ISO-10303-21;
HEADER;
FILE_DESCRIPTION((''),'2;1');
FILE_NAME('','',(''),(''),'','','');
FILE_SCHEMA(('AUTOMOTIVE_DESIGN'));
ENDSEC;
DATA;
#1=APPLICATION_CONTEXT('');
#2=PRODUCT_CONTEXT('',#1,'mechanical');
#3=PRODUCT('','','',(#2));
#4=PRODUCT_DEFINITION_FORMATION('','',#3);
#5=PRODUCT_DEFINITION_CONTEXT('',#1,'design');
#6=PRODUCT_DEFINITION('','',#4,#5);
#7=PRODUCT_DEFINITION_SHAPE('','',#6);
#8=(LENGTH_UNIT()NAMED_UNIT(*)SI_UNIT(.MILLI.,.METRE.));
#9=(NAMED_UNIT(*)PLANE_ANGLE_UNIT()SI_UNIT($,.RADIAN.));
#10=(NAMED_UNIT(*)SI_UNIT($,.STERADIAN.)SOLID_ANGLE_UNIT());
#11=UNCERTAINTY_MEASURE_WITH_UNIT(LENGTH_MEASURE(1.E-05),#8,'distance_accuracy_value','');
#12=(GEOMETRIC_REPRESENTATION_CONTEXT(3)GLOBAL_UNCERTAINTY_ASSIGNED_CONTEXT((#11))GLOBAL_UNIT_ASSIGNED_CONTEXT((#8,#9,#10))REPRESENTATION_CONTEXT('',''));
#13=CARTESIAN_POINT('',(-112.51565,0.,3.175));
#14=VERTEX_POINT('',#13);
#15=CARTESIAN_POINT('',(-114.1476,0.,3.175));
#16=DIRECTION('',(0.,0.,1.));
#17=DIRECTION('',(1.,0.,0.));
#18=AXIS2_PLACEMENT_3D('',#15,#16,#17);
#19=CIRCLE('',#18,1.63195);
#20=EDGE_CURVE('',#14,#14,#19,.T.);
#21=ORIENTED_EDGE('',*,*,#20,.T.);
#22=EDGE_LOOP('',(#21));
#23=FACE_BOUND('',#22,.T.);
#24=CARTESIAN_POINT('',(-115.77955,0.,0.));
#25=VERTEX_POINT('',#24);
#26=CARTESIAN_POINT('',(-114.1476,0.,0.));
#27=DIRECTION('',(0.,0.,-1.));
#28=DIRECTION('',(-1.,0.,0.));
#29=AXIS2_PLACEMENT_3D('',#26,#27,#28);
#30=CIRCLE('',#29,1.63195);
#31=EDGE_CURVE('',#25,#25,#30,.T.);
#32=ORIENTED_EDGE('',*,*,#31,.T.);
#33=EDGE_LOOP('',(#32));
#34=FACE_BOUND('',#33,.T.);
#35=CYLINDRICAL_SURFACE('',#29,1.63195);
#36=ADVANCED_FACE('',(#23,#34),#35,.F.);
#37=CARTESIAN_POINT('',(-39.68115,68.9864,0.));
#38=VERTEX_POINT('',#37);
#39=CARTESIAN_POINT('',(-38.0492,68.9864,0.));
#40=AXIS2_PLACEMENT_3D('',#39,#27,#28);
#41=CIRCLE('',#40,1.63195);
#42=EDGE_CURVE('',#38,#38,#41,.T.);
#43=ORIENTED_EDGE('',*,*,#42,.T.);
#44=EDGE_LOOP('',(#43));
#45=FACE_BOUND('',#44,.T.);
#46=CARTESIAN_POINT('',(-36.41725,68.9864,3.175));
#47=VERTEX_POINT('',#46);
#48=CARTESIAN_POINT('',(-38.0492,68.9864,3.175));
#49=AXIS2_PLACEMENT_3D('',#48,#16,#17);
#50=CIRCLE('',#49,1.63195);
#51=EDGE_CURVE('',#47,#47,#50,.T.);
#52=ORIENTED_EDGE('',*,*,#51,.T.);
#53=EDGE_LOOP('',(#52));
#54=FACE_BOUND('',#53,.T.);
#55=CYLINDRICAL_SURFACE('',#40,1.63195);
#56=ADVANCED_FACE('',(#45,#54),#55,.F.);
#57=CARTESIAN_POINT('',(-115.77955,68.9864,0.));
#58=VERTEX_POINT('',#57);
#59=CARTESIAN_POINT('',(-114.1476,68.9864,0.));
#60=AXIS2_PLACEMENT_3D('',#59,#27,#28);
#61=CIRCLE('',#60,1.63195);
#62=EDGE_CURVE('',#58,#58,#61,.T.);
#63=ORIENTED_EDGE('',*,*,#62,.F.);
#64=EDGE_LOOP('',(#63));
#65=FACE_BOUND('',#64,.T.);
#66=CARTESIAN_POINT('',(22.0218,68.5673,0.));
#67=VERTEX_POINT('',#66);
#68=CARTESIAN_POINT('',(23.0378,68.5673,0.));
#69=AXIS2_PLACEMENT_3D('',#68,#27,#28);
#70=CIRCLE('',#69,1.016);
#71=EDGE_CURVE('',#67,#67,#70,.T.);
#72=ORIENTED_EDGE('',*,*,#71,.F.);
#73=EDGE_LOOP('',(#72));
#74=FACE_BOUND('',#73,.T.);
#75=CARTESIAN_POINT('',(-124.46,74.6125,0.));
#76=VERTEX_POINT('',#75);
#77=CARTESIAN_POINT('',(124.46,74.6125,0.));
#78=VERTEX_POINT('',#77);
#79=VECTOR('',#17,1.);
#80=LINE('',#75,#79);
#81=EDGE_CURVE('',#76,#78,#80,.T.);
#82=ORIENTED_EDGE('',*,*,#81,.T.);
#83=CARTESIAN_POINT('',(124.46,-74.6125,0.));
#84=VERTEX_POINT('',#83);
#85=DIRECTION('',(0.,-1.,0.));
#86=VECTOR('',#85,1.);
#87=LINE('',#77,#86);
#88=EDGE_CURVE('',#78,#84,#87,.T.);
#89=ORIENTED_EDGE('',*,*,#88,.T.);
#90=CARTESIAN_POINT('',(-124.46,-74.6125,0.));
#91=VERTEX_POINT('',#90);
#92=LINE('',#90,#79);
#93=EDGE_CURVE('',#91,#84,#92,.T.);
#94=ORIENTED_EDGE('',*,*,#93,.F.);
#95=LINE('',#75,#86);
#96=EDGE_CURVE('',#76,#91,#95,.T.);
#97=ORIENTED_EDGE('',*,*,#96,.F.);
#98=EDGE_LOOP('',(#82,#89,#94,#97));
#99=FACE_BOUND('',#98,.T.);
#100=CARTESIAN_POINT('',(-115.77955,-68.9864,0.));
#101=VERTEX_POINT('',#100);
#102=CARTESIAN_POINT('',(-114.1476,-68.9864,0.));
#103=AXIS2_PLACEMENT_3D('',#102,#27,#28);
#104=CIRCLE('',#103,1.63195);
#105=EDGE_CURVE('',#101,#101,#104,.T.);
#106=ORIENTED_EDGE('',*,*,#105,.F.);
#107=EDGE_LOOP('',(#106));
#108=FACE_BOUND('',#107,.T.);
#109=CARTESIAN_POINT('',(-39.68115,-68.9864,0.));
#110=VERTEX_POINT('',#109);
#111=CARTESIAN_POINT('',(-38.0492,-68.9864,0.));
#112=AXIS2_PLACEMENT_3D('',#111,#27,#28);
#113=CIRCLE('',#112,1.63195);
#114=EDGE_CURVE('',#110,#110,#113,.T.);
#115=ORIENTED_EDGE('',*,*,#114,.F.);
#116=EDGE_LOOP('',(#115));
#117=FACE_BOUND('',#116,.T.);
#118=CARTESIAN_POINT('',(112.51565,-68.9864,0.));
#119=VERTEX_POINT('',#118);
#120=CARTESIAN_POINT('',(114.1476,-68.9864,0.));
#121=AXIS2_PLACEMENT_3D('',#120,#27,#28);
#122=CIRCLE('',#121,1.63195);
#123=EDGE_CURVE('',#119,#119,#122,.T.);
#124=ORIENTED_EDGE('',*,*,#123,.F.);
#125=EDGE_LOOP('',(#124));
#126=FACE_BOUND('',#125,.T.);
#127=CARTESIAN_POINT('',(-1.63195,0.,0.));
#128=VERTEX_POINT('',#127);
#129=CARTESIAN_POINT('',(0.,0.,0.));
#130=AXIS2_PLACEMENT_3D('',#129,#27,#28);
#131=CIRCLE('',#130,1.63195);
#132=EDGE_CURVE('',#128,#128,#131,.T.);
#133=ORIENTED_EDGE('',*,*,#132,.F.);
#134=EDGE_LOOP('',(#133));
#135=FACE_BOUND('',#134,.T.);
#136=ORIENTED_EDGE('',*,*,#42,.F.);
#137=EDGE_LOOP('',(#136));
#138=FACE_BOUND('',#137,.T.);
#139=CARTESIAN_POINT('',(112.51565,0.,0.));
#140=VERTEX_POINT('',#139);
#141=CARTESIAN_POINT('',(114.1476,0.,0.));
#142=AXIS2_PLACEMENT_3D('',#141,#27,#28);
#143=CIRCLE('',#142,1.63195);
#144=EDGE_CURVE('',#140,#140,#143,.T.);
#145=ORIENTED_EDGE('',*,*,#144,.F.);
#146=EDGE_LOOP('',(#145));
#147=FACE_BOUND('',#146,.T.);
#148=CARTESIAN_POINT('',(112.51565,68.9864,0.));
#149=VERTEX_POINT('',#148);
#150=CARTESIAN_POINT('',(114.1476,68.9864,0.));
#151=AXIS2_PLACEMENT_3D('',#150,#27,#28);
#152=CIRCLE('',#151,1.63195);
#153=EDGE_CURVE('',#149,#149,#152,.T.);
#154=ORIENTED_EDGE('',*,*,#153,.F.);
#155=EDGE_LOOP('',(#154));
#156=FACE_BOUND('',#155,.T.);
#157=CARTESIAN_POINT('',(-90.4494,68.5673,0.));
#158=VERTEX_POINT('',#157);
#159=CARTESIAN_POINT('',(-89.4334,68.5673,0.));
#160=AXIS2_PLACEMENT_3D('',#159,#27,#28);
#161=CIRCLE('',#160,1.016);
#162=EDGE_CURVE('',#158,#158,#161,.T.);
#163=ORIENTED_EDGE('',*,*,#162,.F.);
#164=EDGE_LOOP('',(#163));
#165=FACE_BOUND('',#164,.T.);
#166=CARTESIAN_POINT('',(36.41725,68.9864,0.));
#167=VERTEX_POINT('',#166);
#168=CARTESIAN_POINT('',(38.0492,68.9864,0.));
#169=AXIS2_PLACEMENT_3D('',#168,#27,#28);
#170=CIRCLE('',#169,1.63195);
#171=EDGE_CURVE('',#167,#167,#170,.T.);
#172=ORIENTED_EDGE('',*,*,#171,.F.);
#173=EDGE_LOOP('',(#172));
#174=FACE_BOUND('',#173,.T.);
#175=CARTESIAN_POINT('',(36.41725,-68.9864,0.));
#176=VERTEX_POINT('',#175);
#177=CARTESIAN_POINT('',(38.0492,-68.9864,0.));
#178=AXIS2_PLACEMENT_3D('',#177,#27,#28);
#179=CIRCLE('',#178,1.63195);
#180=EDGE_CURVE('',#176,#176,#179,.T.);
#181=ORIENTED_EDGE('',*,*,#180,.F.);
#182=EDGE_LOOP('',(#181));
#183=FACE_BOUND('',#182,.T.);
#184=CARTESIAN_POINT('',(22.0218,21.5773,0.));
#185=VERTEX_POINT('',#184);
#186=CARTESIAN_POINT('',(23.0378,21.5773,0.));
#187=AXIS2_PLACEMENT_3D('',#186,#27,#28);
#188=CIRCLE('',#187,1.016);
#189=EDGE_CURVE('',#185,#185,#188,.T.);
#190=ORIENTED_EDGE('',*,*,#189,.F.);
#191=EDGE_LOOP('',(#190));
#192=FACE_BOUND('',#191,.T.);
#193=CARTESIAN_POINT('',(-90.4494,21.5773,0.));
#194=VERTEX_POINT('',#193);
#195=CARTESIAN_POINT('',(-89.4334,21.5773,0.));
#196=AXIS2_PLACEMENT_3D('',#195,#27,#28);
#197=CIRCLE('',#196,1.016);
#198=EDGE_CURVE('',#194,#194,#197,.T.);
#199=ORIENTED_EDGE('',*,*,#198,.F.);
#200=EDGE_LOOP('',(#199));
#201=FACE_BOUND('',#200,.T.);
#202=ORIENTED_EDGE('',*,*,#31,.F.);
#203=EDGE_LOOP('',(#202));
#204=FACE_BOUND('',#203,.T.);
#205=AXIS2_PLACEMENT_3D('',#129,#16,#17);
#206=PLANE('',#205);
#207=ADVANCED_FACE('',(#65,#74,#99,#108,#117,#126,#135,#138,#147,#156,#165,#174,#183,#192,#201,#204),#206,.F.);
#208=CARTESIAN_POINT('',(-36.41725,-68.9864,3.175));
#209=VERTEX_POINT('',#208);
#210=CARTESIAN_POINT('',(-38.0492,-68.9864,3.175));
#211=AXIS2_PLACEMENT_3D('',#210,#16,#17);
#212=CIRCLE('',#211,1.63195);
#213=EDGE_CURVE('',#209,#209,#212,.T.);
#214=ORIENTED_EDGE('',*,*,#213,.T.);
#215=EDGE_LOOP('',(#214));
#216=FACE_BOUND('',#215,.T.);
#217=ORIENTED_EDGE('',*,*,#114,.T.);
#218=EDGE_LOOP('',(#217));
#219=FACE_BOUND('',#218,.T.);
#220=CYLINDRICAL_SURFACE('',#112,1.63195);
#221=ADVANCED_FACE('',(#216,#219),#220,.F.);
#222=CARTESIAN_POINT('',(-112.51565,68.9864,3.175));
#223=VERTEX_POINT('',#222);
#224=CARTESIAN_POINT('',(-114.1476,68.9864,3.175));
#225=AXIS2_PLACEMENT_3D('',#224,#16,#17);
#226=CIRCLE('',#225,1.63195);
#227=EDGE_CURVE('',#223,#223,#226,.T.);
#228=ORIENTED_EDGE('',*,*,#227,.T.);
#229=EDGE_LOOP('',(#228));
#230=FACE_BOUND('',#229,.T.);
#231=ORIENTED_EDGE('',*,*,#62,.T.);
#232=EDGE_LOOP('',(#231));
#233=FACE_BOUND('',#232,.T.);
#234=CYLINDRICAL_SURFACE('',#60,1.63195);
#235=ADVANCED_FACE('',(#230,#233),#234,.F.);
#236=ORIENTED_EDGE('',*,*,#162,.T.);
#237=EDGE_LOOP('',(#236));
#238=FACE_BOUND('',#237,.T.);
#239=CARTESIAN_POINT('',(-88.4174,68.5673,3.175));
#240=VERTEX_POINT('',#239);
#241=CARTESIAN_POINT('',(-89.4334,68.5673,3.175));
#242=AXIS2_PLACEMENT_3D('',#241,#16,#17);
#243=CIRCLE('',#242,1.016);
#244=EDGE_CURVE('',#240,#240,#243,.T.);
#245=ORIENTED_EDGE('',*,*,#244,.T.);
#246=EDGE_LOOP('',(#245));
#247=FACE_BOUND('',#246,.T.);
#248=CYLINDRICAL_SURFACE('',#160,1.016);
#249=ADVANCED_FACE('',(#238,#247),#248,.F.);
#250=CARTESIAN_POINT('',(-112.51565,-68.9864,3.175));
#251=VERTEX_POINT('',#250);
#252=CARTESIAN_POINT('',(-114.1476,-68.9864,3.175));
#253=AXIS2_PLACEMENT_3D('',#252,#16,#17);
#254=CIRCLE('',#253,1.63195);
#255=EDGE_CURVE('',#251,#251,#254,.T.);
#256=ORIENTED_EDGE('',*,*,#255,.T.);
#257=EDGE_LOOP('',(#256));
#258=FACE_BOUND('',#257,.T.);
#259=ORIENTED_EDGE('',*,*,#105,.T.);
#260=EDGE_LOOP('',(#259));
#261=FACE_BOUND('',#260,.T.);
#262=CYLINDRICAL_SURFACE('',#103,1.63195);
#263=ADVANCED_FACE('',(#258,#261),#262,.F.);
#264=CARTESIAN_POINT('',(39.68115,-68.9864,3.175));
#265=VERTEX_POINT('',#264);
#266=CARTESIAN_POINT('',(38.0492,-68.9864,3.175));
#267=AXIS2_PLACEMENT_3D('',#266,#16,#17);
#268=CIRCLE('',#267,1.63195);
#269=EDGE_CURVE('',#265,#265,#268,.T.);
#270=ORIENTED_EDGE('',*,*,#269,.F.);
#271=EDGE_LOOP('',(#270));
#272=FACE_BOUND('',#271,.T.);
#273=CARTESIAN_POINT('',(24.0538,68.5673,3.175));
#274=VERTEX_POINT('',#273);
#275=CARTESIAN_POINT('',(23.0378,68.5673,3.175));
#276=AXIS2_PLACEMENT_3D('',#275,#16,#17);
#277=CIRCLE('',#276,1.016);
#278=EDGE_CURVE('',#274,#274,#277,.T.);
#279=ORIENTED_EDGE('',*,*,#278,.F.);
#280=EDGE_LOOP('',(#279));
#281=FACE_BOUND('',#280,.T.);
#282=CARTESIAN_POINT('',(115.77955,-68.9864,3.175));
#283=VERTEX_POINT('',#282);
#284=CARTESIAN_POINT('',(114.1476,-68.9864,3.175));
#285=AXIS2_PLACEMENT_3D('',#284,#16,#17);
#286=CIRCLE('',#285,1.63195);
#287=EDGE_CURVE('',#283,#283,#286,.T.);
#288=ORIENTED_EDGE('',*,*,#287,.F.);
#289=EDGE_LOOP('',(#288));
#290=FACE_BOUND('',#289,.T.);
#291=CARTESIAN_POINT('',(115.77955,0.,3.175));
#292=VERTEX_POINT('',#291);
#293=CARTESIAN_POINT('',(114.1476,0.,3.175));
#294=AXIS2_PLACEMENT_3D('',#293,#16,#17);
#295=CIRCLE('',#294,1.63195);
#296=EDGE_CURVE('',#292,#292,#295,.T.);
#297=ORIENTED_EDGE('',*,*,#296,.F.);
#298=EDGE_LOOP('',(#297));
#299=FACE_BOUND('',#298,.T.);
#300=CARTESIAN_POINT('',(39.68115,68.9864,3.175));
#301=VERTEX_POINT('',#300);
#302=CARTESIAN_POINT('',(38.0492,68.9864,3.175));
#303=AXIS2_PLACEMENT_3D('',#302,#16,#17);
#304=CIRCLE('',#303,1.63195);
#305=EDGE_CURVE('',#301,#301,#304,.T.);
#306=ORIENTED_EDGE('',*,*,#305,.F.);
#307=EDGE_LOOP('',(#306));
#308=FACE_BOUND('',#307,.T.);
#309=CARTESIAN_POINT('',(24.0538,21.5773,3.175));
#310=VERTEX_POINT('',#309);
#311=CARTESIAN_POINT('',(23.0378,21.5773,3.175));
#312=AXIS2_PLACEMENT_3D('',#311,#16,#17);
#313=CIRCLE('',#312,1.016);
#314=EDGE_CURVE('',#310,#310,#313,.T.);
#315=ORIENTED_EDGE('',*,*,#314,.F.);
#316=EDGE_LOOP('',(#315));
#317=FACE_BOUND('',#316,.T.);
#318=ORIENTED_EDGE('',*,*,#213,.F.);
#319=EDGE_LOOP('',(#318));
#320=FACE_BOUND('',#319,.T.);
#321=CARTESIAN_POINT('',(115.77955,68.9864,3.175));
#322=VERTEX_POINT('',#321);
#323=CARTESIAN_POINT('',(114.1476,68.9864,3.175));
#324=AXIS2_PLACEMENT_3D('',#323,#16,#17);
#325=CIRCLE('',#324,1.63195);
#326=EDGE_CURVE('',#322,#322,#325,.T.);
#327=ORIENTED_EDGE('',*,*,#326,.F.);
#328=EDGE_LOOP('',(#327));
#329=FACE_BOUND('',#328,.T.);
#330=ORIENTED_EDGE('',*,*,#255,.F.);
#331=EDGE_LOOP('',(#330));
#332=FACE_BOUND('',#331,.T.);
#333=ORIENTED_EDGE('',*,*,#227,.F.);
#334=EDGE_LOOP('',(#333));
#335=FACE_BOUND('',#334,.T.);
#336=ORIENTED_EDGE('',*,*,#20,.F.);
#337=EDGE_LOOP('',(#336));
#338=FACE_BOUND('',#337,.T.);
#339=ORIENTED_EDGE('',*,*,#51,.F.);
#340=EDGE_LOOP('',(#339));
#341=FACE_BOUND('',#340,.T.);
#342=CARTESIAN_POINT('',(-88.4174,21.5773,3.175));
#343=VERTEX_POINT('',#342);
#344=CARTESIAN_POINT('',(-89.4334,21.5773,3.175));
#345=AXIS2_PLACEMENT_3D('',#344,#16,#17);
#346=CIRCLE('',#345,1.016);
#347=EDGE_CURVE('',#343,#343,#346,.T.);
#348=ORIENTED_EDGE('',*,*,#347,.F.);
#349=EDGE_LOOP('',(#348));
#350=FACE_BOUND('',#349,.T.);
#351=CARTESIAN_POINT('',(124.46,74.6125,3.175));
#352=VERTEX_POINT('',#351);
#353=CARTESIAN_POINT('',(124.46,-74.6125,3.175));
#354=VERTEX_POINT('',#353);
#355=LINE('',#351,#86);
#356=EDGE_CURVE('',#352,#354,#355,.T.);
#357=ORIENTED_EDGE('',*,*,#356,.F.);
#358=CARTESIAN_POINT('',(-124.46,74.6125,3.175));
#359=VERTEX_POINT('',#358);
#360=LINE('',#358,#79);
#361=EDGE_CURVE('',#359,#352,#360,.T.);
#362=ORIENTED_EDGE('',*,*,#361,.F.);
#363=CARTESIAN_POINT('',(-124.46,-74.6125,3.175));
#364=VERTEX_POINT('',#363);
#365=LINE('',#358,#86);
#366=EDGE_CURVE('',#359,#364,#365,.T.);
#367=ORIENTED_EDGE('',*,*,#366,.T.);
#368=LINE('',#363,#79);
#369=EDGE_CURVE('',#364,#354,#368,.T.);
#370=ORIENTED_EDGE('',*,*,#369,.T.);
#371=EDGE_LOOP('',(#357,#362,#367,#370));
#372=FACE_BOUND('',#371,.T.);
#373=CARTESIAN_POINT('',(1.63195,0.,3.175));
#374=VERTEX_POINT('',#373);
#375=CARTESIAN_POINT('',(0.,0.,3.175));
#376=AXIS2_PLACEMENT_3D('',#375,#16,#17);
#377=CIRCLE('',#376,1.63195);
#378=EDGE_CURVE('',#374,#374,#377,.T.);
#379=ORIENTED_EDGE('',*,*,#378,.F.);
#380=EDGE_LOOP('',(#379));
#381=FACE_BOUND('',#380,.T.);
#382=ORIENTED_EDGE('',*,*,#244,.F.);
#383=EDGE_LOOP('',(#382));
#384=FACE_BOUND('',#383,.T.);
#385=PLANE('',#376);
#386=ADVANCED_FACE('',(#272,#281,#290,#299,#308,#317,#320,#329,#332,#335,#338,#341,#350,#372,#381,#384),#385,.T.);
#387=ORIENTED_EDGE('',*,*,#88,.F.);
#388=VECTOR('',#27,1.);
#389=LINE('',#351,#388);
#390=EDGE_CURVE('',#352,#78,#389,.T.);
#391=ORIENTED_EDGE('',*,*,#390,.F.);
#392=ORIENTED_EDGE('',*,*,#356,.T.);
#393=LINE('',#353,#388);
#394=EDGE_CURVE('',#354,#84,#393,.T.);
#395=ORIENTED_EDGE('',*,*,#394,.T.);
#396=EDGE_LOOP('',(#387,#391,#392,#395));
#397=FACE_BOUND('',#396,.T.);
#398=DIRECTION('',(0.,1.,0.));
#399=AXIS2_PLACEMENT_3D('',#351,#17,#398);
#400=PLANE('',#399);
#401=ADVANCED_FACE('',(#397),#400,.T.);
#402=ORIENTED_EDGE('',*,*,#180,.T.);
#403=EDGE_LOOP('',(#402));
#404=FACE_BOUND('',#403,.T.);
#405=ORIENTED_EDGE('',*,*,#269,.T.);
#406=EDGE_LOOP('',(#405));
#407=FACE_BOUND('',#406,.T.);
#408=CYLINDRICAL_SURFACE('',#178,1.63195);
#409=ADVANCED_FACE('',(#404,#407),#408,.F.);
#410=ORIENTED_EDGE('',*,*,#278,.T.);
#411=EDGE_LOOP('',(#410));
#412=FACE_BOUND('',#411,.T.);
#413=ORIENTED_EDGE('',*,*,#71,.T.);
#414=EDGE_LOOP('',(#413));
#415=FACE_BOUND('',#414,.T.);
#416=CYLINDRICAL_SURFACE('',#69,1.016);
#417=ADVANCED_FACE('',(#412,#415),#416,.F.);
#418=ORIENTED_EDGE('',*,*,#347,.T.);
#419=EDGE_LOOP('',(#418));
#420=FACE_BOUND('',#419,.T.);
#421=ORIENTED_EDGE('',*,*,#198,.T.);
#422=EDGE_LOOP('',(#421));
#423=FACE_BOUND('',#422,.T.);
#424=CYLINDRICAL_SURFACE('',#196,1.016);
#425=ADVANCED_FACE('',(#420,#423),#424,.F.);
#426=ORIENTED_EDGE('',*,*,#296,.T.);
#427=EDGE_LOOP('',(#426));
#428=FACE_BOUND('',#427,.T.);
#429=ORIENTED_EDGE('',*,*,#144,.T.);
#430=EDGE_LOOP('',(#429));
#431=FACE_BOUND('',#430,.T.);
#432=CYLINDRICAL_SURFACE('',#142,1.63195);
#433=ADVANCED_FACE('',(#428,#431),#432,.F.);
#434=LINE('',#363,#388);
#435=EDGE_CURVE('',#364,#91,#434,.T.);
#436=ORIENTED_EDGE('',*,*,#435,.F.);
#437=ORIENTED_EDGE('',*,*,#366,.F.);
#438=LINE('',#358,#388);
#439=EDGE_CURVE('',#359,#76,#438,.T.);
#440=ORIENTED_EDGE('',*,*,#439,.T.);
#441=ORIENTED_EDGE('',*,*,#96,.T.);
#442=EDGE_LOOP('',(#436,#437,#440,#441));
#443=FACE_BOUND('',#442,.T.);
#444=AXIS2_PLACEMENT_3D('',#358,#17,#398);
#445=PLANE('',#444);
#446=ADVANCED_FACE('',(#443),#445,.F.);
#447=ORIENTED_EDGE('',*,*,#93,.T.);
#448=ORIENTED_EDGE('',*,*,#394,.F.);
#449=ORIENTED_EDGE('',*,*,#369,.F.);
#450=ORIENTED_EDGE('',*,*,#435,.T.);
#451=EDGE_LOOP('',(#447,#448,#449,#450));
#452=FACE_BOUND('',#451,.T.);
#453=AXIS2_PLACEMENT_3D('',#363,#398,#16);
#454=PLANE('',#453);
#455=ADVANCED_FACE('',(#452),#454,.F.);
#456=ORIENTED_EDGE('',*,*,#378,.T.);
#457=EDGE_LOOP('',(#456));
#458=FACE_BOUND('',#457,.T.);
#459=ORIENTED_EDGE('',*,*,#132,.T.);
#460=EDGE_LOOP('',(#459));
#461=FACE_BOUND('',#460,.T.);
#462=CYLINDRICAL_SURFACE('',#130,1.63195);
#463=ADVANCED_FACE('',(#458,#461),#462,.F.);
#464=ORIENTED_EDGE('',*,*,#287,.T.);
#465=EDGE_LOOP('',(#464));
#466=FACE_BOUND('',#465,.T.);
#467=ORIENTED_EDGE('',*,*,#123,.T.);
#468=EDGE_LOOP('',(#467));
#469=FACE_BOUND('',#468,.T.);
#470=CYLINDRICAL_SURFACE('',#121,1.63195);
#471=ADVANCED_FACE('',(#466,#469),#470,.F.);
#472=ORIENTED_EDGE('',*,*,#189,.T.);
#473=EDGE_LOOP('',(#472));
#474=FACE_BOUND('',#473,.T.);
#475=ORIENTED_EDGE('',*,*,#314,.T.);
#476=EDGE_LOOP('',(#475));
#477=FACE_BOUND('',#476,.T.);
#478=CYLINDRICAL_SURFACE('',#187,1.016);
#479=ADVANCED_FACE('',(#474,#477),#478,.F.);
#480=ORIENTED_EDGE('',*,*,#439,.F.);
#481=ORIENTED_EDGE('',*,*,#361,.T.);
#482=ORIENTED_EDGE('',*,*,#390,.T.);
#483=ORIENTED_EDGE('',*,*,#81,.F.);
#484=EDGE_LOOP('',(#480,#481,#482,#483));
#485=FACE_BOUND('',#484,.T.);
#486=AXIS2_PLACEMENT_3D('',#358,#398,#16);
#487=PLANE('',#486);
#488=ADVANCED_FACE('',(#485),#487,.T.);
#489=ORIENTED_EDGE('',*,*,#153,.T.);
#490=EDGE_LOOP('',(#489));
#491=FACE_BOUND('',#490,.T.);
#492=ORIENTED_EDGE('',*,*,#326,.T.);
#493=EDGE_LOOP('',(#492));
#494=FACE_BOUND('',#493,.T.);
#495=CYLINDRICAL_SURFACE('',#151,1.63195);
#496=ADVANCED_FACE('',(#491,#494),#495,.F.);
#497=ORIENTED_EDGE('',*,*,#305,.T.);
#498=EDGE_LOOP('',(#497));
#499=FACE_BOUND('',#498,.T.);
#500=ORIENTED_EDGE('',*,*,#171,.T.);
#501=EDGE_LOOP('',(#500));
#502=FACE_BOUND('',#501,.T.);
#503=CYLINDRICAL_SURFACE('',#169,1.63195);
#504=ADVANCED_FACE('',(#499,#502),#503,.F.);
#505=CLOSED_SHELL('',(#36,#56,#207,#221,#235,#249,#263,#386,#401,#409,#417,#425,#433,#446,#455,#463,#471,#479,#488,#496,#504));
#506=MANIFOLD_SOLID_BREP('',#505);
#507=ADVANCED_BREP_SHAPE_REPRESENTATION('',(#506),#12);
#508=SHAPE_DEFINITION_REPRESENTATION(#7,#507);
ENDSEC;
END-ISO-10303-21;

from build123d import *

# Parameters (mm, degrees)
SKETCH1_W                 = 248.92
SKETCH1_H                 = 149.225
BOSS_EXTRUDE1_DEPTH       = 3.175
F_4_CLEARANCE_HOLE1_D     = 3.2639
F_4_CLEARANCE_HOLE1_DEPTH = 56.388
F_4_CLEARANCE_HOLE1_TIP   = 0.980574487
F_4_40_TAPPED_HOLE1_D     = 2.032
F_4_40_TAPPED_HOLE1_DEPTH = 7.62
F_4_40_TAPPED_HOLE1_TIP   = 0.610474389


with BuildPart() as part:
    # Sketch1 → Boss-Extrude1 (new body)
    with BuildSketch(Plane.XY):
        Rectangle(SKETCH1_W, SKETCH1_H)
    extrude(amount=BOSS_EXTRUDE1_DEPTH)

    # #4 Clearance Hole1
    with Locations(Plane(origin=(0, 0, 0), x_dir=(-1, 0, 0), z_dir=(0, 0, -1))):
        with Locations((114.1476, -68.9864), (-114.1476, -68.9864), (-114.1476, 68.9864), (114.1476, 68.9864), (114.1476, 0), (-114.1476, 0), (38.0492, 68.9864), (-38.0492, 68.9864), (-38.0492, -68.9864), (38.0492, -68.9864), (0, 0)):
            Hole(F_4_CLEARANCE_HOLE1_D / 2, depth=F_4_CLEARANCE_HOLE1_DEPTH)
            with Locations((0, 0, -(F_4_CLEARANCE_HOLE1_DEPTH + F_4_CLEARANCE_HOLE1_TIP / 2))):  # 118° drill point
                Cone(0, F_4_CLEARANCE_HOLE1_D / 2, F_4_CLEARANCE_HOLE1_TIP, mode=Mode.SUBTRACT)

    # #4-40 Tapped Hole1
    with Locations(Plane(origin=(0, 0, 0), x_dir=(-1, 0, 0), z_dir=(0, 0, -1))):
        with Locations((-23.0378, 21.5773), (-23.0378, 68.5673), (89.4334, 68.5673), (89.4334, 21.5773)):
            Hole(F_4_40_TAPPED_HOLE1_D / 2, depth=F_4_40_TAPPED_HOLE1_DEPTH)
            with Locations((0, 0, -(F_4_40_TAPPED_HOLE1_DEPTH + F_4_40_TAPPED_HOLE1_TIP / 2))):  # 118° drill point
                Cone(0, F_4_40_TAPPED_HOLE1_D / 2, F_4_40_TAPPED_HOLE1_TIP, mode=Mode.SUBTRACT)


solid = part.part
